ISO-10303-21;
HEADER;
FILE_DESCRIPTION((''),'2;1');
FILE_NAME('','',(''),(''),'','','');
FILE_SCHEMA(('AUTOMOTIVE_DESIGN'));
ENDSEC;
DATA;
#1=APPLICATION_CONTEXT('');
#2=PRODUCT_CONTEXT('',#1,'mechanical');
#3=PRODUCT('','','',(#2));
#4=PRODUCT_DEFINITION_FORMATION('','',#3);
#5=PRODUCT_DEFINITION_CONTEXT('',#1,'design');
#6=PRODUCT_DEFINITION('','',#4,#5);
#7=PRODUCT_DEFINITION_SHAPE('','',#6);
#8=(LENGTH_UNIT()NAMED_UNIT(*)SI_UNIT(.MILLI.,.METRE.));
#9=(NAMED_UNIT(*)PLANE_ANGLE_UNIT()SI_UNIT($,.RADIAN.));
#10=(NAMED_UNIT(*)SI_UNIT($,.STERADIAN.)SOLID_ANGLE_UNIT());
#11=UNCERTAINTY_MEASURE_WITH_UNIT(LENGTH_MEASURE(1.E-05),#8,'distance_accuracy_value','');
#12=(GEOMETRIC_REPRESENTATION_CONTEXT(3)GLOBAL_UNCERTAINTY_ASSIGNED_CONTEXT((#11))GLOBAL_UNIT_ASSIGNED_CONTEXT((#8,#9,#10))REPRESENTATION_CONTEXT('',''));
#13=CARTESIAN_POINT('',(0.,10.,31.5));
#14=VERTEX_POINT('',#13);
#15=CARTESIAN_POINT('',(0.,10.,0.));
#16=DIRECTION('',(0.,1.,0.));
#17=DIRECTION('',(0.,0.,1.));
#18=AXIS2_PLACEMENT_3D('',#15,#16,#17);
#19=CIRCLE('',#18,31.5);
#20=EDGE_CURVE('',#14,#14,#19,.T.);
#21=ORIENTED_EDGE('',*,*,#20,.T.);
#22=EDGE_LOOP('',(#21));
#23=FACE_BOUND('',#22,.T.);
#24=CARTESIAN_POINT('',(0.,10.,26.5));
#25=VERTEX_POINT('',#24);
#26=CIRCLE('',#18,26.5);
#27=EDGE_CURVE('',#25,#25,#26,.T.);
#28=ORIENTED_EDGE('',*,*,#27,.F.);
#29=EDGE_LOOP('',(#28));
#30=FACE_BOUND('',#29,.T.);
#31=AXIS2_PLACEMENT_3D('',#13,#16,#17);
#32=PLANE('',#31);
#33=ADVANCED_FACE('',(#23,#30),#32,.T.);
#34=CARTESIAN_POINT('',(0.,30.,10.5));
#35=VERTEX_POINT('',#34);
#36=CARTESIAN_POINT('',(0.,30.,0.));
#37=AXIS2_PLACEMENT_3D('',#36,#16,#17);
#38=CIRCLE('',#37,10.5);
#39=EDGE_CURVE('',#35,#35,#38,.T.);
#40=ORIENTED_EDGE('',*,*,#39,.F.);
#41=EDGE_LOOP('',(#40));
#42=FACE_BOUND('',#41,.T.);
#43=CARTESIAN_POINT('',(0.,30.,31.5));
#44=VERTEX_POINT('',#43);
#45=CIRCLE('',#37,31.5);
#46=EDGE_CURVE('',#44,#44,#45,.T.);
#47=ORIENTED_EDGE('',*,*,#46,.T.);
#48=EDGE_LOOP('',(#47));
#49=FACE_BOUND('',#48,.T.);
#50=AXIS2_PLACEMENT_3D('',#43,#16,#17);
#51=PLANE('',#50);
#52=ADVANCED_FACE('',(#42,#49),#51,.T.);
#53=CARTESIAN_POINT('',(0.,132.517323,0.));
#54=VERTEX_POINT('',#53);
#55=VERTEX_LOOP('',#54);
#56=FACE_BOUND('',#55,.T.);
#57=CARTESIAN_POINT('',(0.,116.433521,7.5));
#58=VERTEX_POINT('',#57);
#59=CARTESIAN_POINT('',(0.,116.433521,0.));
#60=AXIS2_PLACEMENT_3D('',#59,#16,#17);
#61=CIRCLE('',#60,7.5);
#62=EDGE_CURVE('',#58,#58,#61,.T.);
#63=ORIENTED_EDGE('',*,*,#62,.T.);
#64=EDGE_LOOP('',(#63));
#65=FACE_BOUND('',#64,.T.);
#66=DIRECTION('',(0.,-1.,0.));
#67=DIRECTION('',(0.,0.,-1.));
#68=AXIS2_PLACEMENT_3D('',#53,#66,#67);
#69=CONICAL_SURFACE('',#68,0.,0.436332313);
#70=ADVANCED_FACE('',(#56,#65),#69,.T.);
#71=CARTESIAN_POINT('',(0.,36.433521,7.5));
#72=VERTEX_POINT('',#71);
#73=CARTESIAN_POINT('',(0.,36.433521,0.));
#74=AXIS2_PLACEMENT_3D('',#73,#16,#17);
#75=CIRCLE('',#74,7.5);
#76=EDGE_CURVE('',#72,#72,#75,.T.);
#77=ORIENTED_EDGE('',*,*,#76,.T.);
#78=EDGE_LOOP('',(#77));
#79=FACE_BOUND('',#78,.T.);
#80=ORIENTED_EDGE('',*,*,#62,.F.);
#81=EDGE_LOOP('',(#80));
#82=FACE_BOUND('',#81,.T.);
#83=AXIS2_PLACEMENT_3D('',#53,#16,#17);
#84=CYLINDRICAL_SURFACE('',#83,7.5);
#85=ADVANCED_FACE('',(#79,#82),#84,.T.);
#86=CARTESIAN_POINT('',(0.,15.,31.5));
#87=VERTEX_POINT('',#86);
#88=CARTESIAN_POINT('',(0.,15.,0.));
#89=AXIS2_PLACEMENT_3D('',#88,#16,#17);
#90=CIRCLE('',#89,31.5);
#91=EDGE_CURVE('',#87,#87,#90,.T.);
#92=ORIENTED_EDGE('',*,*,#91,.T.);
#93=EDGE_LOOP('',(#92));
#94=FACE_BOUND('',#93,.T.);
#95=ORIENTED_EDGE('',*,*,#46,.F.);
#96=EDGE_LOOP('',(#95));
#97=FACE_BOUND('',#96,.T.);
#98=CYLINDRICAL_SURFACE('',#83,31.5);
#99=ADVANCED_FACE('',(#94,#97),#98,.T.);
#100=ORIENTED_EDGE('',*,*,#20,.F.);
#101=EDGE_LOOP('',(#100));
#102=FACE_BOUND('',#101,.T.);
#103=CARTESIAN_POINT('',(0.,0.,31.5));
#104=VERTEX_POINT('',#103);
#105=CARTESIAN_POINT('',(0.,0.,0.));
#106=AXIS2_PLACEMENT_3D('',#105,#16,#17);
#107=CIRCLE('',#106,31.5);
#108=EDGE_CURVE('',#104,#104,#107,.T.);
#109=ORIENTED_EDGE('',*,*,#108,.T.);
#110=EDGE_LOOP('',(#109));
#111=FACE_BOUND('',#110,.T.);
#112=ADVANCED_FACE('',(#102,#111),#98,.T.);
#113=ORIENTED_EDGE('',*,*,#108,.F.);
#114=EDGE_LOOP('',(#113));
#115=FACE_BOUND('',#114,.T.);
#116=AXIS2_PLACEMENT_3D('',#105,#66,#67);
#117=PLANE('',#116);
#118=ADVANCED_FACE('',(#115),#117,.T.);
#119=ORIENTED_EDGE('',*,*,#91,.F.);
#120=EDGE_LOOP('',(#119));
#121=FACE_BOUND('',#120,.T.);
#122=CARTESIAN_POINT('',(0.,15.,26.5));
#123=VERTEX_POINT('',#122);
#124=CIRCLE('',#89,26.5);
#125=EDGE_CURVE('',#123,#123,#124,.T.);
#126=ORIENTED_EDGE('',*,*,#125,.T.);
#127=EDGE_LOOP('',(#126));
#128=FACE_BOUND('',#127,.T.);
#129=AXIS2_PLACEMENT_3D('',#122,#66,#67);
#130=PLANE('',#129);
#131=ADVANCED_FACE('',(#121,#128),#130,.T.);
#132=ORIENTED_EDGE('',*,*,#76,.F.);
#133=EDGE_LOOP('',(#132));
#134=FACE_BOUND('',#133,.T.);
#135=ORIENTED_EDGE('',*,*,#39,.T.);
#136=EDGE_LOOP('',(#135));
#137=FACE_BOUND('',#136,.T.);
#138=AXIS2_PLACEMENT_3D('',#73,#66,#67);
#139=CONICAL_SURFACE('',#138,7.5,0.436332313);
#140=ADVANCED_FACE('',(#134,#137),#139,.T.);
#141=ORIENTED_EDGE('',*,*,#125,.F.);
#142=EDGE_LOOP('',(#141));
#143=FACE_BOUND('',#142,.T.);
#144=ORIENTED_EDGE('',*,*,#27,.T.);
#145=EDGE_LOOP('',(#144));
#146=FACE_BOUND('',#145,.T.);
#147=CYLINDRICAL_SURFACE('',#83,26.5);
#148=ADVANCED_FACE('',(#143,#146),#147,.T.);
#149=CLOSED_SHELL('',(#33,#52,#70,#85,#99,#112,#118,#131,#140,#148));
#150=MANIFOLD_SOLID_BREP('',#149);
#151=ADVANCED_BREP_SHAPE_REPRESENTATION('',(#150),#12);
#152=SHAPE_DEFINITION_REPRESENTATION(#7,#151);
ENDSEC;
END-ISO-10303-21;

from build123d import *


with BuildPart() as part:
    # 草图3 → 旋转1 (revolve)
    with BuildSketch(Plane(origin=(0, 0, 0), x_dir=(0, 0, -1), z_dir=(1, 0, 0))):
        Polygon((0, 0), (-31.5, 0), (-31.5, 10), (-26.5, 10), (-26.5, 15), (-31.5, 15), (-31.5, 30), (-10.5, 30), (-7.5, 36.433520762), (-7.5, 116.433520762), (0, 132.517322665), align=None)
    revolve(axis=Axis((0, 132.517322665, 0), (0, -1, 0)))


solid = part.part
